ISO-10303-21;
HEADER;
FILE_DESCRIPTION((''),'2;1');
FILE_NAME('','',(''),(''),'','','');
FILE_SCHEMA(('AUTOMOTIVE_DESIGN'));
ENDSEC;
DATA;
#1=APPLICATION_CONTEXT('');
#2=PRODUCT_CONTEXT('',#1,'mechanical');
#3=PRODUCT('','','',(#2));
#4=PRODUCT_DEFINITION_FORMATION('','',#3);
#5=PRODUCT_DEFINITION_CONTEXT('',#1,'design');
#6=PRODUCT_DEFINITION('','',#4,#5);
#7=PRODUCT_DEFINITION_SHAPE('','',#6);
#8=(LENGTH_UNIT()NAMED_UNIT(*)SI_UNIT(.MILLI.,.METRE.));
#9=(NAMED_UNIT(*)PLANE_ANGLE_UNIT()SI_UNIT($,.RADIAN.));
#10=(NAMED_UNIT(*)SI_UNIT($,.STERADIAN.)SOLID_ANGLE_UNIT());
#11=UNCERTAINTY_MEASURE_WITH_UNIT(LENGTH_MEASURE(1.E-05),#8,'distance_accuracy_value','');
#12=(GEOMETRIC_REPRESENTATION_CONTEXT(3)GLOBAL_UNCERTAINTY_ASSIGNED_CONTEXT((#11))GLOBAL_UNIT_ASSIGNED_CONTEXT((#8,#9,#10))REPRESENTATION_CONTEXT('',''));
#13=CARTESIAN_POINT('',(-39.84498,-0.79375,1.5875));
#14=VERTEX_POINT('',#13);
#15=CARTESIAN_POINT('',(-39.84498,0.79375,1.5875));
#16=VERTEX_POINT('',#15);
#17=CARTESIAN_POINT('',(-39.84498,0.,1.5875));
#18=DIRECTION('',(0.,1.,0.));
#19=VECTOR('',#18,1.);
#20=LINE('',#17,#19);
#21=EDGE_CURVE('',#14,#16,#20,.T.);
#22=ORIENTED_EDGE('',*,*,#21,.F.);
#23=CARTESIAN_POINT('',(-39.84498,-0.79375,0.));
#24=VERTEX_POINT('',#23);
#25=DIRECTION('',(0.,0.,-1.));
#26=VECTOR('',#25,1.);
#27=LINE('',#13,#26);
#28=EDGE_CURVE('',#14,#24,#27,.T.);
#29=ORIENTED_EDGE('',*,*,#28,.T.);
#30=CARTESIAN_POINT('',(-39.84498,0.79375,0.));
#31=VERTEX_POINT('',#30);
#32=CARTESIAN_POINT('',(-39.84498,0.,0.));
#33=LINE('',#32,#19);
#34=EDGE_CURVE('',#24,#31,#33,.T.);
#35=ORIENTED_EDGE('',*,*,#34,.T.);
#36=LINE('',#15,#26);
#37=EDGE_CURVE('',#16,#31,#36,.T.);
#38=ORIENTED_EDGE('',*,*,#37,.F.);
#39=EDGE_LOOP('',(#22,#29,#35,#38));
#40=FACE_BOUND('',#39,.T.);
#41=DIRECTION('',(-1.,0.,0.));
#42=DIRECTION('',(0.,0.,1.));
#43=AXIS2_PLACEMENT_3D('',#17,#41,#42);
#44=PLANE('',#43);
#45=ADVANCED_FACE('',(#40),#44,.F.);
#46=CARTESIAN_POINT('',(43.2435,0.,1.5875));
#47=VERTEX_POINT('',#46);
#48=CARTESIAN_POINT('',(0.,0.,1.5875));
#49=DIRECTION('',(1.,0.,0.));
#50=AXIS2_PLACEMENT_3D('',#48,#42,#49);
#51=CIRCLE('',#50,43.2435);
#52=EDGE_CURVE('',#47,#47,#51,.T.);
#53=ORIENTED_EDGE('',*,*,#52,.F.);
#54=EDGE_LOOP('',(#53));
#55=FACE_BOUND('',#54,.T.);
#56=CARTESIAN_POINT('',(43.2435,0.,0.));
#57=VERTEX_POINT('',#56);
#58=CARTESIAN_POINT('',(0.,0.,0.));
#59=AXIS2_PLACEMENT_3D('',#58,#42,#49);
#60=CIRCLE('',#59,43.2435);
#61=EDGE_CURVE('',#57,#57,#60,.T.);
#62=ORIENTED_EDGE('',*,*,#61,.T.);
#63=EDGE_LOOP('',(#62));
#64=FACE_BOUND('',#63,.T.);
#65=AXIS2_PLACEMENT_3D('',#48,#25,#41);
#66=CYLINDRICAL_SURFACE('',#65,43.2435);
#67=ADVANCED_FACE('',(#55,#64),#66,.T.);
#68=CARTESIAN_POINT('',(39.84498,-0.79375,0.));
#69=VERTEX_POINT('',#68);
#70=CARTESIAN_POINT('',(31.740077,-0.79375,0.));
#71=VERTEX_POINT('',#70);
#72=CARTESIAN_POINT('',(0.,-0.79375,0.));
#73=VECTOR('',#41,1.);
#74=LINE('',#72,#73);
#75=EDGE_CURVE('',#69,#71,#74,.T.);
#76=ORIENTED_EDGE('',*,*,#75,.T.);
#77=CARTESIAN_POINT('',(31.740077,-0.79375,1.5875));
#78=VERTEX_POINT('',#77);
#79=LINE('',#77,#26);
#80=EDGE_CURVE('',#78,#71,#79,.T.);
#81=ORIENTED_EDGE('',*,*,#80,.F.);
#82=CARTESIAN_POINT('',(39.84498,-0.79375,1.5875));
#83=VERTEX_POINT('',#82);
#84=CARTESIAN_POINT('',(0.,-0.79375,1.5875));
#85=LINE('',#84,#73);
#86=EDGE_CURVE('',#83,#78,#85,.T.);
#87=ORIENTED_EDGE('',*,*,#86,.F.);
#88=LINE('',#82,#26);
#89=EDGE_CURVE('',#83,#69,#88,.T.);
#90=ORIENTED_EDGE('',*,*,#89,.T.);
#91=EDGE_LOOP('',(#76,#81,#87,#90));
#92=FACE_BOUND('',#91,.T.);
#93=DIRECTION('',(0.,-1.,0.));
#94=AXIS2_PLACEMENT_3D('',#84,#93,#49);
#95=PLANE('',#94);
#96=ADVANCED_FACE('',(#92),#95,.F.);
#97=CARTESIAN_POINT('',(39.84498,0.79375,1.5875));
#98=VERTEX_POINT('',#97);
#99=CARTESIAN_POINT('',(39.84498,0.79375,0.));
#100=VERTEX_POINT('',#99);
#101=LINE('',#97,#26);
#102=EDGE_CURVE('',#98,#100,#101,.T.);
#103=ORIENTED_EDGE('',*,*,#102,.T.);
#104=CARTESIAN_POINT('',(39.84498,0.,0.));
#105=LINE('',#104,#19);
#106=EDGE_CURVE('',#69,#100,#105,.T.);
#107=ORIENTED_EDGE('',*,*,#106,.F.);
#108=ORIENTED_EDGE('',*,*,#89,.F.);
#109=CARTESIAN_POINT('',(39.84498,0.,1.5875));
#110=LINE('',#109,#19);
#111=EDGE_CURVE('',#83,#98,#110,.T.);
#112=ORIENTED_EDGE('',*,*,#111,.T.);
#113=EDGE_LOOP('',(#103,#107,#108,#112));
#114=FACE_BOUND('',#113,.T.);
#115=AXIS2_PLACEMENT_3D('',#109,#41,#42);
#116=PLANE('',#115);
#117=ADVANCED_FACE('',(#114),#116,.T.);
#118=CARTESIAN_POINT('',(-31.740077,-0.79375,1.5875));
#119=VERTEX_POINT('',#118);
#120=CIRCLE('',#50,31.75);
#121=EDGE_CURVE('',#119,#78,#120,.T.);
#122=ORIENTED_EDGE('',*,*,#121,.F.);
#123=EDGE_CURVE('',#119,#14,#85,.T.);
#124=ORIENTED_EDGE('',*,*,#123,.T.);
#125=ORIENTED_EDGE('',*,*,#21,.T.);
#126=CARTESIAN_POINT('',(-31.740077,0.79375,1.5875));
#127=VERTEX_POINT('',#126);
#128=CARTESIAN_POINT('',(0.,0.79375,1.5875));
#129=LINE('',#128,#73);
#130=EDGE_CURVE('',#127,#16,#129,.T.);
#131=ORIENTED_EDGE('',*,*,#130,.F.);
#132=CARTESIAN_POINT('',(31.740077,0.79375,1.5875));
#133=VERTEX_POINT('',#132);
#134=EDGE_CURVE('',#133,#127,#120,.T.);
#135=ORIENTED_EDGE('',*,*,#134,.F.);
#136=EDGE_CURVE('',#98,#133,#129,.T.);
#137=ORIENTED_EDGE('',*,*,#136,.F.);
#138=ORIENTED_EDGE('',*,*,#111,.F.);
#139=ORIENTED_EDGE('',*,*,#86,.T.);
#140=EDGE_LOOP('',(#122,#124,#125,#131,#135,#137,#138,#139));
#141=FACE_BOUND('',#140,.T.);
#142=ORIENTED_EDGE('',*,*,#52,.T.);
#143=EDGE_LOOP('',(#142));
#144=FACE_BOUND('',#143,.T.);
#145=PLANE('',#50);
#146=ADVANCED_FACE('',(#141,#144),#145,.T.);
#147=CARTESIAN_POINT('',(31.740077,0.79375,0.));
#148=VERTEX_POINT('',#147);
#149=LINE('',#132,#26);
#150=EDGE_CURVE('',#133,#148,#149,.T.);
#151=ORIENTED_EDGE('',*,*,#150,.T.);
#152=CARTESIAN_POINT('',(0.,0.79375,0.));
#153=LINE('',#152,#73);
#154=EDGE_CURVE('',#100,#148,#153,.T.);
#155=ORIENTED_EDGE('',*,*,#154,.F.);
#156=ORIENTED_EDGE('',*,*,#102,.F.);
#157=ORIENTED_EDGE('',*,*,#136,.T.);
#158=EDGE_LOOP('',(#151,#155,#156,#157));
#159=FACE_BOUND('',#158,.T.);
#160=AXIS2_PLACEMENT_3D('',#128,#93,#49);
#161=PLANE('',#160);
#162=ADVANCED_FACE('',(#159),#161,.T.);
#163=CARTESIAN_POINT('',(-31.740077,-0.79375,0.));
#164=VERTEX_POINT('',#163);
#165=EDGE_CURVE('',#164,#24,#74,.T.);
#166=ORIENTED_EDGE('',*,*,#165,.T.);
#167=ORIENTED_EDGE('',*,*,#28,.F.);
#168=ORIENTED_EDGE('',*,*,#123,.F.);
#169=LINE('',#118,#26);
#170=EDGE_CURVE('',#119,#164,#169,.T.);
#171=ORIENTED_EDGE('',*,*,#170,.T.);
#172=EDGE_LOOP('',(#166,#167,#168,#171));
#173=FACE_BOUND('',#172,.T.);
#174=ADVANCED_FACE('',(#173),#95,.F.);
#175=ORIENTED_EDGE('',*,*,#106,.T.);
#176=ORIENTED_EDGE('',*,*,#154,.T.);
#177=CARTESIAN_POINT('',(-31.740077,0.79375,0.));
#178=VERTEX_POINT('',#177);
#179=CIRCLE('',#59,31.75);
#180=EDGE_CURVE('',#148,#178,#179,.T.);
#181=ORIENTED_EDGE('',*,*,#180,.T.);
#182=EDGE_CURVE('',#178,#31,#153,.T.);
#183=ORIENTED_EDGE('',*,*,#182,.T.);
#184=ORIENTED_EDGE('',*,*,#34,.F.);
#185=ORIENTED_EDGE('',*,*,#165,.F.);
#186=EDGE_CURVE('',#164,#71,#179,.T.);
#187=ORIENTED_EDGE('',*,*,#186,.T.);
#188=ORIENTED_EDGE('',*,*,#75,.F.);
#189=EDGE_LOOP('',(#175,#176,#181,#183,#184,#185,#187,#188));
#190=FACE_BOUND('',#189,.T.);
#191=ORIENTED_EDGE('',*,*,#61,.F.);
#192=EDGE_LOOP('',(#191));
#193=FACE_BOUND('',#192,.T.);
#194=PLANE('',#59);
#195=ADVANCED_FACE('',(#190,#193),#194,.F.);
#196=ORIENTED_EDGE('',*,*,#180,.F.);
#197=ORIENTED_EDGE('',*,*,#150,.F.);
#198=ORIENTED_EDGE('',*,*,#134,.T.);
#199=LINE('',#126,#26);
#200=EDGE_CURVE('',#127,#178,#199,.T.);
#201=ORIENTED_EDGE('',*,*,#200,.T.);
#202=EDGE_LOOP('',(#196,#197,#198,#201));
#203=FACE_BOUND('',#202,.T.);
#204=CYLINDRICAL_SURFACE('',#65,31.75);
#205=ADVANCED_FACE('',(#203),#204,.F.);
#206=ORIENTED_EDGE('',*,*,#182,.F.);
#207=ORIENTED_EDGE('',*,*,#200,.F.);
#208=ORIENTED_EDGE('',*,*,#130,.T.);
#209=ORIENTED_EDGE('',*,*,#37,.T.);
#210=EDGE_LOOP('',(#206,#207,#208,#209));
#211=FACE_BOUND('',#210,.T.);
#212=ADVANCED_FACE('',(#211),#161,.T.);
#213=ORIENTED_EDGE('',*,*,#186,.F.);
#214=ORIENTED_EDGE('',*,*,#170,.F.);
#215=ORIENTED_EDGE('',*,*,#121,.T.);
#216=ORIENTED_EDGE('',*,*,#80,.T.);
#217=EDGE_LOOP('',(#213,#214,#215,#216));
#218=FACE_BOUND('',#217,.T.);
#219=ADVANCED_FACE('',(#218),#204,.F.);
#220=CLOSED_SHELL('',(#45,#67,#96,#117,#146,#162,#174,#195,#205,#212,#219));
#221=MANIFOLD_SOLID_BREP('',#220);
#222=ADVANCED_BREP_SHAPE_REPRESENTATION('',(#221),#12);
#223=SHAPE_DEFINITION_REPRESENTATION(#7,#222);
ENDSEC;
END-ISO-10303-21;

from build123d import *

# Parameters (mm, degrees)
SKETCH1_R           = 43.2435
BOSS_EXTRUDE1_DEPTH = 1.5875


with BuildPart() as part:
    # Sketch1 → Boss-Extrude1 (new body)
    with BuildSketch(Plane.XY):
        Circle(SKETCH1_R)
        with BuildLine():
            Line((39.84498, 0.79375), (39.84498, -0.79375))
            Line((39.84498, -0.79375), (31.740076574, -0.79375))
            ThreePointArc((31.740076574, -0.79375), (0, -31.75), (-31.740076574, -0.79375))
            Line((-31.740076574, -0.79375), (-39.84498, -0.79375))
            Line((-39.84498, -0.79375), (-39.84498, 0.79375))
            Line((-39.84498, 0.79375), (-31.740076574, 0.79375))
            ThreePointArc((-31.740076574, 0.79375), (0, 31.75), (31.740076574, 0.79375))
            Line((31.740076574, 0.79375), (39.84498, 0.79375))
        make_face(mode=Mode.SUBTRACT)
    extrude(amount=BOSS_EXTRUDE1_DEPTH)


solid = part.part
